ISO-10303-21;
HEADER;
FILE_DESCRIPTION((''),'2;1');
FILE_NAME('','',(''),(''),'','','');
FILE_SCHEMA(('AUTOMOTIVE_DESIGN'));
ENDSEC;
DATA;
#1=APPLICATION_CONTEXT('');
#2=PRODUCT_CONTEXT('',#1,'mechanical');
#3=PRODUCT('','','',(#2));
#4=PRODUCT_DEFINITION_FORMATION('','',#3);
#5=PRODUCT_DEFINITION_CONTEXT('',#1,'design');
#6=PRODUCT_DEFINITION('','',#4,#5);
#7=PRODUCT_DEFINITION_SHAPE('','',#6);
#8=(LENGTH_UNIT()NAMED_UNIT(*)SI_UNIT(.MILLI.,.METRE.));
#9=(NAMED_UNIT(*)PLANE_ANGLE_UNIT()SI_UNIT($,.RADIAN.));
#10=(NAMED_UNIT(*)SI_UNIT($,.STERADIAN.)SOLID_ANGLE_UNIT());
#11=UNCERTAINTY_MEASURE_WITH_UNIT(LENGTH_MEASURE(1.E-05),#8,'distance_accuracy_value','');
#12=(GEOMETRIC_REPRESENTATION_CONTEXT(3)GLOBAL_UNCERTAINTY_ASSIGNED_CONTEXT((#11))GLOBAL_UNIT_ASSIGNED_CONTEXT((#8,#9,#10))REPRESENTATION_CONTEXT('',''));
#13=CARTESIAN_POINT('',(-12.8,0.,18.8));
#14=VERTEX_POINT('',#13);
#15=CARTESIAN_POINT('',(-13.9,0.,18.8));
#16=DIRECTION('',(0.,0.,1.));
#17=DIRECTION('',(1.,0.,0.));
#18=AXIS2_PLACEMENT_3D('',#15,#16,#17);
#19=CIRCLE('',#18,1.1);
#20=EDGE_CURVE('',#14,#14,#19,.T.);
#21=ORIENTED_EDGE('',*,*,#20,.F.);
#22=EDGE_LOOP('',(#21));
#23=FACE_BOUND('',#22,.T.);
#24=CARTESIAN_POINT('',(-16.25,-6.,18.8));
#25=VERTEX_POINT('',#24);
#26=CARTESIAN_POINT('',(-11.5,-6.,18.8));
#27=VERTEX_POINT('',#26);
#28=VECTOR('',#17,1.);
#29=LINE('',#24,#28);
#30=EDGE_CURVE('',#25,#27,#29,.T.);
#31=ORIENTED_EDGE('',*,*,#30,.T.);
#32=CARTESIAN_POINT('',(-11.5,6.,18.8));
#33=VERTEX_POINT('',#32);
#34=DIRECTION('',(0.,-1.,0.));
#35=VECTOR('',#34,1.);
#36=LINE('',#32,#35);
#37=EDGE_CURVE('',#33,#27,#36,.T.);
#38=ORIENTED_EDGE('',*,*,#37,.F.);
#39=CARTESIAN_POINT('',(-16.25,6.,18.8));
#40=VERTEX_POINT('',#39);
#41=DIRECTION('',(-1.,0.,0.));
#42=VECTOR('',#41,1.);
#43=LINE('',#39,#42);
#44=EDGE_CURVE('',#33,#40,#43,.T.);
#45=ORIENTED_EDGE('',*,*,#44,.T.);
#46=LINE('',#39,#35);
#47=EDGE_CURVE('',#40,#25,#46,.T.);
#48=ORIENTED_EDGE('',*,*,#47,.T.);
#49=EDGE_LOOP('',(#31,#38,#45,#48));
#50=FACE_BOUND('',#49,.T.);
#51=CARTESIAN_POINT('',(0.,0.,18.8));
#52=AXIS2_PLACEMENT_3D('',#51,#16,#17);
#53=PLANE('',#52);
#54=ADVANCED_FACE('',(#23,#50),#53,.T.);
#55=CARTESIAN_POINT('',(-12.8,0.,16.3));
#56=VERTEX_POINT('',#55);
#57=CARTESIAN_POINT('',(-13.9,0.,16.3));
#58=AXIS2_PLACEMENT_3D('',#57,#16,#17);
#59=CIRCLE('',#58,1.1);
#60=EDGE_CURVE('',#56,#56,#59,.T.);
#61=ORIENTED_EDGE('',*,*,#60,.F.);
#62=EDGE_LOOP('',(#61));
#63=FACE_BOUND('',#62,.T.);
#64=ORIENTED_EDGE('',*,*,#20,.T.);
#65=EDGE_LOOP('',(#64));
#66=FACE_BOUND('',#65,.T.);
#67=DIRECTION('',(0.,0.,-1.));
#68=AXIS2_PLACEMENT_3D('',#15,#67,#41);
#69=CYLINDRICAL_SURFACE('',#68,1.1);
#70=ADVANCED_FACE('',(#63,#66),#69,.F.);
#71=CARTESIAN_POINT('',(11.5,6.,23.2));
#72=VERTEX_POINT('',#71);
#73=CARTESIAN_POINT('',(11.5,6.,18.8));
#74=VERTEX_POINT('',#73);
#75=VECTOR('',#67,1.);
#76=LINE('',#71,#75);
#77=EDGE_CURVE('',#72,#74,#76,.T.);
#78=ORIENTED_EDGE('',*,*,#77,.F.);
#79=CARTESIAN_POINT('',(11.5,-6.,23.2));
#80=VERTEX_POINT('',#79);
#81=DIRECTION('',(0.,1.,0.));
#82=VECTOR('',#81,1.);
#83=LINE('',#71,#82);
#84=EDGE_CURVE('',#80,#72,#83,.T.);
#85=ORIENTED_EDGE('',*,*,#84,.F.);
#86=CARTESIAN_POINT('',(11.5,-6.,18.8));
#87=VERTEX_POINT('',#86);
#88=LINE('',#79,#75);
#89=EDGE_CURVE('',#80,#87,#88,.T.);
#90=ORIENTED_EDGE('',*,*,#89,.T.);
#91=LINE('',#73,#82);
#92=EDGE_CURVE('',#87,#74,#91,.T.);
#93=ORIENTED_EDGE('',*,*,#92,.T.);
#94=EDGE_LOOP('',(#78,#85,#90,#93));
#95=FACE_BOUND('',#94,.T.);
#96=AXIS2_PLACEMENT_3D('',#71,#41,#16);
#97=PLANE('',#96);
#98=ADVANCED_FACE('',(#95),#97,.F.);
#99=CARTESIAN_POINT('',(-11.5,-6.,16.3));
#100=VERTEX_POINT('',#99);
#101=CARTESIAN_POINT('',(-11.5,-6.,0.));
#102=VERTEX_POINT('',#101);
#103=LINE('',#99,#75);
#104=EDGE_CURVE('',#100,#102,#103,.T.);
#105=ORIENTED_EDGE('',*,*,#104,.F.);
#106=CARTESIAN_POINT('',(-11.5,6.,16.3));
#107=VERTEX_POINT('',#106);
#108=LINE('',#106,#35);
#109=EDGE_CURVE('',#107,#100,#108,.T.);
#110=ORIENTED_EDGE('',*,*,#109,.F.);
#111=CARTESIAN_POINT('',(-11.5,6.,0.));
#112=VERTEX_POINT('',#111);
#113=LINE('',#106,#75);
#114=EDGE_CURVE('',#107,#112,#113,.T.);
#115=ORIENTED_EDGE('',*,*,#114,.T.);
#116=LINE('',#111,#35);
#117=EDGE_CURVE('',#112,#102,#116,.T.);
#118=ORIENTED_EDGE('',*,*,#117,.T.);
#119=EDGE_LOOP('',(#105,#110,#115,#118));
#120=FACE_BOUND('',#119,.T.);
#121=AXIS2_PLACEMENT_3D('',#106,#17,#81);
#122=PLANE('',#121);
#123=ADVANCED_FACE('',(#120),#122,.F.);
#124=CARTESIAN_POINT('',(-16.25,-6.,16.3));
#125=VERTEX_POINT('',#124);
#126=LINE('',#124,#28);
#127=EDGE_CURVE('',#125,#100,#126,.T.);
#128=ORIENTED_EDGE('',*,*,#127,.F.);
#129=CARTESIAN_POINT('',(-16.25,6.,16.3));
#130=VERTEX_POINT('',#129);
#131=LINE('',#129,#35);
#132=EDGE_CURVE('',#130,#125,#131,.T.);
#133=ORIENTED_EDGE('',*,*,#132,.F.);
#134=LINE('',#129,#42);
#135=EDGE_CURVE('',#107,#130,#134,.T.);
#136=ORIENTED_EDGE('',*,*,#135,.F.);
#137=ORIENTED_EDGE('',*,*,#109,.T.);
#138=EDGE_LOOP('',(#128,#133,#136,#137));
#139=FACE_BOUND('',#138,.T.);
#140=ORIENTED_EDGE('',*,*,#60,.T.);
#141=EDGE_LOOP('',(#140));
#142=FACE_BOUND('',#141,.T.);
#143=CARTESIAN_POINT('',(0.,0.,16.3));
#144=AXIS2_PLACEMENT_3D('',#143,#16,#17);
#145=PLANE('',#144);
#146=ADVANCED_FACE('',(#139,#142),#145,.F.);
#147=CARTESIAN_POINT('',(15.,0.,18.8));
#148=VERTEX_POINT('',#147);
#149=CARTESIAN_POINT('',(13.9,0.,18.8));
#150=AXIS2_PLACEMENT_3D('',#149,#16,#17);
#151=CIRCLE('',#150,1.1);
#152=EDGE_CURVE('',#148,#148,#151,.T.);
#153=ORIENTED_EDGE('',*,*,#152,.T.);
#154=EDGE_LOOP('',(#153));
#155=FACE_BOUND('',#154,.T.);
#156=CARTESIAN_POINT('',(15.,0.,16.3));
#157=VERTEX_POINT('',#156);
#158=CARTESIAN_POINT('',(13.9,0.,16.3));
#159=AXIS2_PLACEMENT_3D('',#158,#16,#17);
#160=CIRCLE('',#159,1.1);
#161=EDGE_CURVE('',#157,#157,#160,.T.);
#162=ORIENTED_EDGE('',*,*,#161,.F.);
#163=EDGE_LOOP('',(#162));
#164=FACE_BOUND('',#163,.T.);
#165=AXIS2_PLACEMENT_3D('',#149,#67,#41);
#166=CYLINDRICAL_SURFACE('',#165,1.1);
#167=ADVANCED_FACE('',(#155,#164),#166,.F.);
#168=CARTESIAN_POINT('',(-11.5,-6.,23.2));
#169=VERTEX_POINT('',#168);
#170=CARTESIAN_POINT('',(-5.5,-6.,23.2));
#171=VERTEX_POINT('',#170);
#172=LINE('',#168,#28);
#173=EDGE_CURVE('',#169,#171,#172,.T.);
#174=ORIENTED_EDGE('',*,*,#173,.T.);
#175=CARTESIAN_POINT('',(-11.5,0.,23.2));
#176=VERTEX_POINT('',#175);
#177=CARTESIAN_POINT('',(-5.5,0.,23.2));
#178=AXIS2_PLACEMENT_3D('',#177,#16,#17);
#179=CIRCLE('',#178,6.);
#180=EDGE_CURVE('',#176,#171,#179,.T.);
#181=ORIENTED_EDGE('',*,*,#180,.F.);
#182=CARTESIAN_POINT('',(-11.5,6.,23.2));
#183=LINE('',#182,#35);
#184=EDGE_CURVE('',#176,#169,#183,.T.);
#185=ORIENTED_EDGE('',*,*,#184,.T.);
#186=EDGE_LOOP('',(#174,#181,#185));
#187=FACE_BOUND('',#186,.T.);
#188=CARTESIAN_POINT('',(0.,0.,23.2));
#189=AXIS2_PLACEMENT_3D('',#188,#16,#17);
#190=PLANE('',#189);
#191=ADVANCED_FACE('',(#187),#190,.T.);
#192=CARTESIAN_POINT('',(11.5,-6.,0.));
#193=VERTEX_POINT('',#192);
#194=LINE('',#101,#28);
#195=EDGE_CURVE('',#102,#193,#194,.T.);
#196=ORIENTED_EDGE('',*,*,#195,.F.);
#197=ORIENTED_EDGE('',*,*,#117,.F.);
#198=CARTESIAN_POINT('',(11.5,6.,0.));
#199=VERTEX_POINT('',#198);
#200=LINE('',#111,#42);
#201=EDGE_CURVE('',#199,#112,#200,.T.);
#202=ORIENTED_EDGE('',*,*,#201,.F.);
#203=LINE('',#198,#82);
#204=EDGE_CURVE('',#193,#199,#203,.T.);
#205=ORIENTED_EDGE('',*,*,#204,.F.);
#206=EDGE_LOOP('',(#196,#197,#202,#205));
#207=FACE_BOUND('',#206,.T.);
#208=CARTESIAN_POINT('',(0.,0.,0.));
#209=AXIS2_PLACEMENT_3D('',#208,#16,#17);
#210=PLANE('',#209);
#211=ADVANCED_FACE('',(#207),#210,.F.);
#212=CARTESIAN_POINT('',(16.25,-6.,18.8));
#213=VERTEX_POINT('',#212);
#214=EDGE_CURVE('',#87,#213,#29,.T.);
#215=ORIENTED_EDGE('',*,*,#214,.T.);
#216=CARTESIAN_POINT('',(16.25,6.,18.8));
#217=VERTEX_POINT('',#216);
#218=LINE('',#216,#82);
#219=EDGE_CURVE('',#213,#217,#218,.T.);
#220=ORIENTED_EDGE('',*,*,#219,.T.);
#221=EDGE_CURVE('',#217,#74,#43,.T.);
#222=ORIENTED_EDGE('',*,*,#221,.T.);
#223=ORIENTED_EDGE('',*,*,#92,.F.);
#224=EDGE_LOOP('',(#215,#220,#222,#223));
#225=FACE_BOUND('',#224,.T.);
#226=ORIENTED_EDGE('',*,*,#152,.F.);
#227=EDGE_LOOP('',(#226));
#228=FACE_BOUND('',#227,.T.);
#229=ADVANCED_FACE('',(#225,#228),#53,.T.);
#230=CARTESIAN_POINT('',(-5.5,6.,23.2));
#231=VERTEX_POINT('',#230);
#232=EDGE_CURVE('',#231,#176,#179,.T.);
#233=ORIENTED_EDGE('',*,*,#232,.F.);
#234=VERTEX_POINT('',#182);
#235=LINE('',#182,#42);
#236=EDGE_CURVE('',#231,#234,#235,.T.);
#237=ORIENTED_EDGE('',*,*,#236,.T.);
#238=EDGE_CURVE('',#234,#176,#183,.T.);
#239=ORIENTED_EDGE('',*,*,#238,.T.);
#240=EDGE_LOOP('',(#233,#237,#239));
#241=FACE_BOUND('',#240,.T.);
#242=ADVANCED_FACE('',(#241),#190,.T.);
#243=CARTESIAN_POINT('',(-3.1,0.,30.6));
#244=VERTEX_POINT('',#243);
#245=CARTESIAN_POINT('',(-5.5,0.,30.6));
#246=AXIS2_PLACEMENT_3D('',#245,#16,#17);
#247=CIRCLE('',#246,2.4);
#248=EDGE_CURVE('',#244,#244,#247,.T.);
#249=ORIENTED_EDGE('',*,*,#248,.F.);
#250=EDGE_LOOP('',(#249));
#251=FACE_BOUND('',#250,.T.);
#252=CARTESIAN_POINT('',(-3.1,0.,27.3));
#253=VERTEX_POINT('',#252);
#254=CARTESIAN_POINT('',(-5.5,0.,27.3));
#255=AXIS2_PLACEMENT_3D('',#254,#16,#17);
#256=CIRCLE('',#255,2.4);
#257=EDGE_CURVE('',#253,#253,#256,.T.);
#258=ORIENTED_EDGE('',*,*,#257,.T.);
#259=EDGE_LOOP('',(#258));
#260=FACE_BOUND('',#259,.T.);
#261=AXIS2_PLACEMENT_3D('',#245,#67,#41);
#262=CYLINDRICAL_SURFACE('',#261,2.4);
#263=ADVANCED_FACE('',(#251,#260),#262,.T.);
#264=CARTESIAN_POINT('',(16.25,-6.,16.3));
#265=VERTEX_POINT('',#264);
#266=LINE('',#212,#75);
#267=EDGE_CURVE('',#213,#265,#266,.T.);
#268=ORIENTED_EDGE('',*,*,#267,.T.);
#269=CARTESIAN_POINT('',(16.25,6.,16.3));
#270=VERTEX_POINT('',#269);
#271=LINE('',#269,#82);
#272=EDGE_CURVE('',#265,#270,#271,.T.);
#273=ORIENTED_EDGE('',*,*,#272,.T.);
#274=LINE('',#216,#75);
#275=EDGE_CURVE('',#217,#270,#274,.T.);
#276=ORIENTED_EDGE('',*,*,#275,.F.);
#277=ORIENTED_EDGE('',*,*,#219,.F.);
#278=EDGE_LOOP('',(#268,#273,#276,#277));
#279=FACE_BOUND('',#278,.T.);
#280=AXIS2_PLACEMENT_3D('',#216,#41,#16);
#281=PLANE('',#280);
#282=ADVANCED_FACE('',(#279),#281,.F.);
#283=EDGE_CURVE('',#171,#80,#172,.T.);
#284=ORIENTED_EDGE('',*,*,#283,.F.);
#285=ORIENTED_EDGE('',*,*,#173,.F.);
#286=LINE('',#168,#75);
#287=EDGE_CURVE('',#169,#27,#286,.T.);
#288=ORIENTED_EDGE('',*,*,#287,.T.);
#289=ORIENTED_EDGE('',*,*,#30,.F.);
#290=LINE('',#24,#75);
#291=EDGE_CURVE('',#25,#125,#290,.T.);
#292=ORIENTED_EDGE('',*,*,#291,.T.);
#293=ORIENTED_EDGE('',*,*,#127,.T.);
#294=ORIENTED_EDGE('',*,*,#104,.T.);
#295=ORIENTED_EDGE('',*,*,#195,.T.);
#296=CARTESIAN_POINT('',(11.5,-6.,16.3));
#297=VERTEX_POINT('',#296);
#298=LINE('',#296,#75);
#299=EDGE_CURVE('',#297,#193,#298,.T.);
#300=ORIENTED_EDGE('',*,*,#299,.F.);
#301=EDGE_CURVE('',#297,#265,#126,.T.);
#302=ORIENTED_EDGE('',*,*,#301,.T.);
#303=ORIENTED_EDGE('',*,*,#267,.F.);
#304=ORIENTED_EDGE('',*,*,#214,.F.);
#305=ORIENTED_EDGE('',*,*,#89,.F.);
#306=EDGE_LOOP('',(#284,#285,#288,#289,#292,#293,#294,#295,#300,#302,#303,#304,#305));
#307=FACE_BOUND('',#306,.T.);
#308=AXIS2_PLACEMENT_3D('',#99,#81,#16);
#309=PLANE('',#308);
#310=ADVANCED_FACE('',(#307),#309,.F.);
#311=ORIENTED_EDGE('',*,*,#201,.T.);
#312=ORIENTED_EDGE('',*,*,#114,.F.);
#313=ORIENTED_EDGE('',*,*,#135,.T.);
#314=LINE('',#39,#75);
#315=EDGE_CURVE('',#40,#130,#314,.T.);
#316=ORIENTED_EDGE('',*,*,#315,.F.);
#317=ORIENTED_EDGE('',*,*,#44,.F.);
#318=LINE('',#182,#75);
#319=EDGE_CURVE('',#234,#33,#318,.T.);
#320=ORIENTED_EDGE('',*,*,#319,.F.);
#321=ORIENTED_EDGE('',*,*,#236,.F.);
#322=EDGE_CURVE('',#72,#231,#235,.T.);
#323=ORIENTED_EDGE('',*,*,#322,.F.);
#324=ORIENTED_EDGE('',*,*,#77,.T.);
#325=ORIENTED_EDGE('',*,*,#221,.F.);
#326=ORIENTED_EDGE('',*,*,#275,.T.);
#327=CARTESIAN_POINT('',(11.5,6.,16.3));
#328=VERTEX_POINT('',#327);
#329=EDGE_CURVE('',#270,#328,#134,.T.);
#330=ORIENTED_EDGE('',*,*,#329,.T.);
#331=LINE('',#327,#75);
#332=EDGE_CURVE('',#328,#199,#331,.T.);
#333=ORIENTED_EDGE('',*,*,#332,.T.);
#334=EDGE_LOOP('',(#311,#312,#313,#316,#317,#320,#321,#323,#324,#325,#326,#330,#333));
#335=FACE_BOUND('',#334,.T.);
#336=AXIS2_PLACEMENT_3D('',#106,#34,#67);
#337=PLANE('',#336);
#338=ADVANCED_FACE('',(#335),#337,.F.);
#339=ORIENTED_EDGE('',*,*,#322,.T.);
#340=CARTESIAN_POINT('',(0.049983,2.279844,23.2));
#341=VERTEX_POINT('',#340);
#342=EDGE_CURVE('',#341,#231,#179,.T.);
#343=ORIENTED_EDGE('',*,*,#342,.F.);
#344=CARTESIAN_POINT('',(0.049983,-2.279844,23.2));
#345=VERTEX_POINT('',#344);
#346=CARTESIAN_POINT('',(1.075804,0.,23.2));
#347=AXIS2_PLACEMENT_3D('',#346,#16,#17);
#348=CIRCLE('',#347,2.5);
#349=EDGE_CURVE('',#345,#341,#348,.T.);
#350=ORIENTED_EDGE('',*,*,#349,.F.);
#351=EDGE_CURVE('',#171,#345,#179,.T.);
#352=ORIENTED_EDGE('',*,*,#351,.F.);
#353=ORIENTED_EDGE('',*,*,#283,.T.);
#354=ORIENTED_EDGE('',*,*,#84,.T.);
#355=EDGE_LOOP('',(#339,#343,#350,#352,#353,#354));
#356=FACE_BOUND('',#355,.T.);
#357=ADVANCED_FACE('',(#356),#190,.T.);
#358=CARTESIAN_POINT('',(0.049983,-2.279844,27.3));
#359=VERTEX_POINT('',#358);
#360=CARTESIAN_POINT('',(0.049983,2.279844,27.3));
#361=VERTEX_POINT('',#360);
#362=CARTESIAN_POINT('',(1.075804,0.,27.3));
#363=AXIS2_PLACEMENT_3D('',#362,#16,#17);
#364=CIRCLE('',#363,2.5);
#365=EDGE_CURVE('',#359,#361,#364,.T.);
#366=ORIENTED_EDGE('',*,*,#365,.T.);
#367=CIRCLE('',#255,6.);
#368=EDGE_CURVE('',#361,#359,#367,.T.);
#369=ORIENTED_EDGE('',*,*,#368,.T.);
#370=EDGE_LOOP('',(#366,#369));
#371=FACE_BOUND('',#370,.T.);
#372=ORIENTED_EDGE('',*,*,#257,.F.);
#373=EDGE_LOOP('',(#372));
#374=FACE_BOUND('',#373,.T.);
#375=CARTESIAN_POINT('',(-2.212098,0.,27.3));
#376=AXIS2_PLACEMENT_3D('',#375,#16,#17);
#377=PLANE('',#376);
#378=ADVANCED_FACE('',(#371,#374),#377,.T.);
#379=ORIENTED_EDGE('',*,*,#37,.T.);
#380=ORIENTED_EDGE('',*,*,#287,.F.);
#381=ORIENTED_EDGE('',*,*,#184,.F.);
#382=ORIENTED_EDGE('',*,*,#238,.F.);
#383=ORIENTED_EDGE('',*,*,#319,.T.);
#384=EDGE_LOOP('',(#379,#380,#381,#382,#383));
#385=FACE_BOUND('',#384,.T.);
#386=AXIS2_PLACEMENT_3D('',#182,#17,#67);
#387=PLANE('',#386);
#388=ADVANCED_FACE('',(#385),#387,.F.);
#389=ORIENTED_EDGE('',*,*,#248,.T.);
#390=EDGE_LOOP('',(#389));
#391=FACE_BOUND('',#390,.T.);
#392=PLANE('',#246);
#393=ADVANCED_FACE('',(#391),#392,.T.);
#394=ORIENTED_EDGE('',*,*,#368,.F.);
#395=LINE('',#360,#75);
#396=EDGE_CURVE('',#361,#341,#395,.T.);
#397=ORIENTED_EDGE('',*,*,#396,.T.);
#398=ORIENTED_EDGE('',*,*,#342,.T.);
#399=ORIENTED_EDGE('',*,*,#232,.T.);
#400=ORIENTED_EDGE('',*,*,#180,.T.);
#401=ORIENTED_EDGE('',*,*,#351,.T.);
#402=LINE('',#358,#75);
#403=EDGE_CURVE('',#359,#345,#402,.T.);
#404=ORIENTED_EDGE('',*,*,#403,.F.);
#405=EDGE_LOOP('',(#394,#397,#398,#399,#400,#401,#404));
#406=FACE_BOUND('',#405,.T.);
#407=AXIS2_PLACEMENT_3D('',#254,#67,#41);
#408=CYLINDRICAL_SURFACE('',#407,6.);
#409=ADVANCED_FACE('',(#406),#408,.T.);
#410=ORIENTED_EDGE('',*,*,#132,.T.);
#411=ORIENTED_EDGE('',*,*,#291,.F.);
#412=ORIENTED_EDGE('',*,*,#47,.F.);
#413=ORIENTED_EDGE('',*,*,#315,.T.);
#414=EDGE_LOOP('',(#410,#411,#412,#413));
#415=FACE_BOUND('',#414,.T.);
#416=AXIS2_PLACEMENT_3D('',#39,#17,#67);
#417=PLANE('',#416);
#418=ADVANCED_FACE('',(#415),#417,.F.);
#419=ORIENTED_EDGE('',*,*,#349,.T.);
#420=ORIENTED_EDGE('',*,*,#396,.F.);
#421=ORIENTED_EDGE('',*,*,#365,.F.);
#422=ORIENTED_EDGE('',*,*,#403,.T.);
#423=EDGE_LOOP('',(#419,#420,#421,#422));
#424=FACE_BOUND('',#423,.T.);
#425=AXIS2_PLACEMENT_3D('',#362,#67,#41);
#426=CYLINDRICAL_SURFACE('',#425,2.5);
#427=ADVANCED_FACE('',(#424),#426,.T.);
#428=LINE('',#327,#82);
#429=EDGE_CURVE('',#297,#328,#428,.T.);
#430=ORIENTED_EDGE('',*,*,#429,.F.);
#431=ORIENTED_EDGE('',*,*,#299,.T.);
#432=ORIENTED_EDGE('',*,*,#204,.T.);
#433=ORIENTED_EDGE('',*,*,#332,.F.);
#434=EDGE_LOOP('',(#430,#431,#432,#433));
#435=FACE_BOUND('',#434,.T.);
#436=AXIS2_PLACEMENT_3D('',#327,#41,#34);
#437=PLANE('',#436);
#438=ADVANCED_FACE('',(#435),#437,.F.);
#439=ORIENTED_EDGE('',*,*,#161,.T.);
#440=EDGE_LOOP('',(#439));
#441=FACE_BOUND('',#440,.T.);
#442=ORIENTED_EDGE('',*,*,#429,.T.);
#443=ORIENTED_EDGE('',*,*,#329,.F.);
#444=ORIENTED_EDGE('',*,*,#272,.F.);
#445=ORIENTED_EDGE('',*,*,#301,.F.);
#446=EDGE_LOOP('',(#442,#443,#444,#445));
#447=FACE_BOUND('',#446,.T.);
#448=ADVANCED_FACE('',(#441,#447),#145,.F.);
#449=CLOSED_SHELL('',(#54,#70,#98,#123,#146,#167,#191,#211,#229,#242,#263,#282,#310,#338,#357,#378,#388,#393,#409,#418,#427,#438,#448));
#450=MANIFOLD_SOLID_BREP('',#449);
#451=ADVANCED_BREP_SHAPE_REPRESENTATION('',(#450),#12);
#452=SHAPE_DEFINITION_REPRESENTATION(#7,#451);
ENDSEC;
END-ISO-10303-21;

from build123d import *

# Parameters (mm, degrees)
SKETCH_1_W      = 23
SKETCH_1_H      = 12
EXTRUDE_1_DEPTH = 16.3
SKETCH_2_W      = 32.5
SKETCH_2_H      = 12
SKETCH_2_R      = 1.1
EXTRUDE_2_DEPTH = 2.5
SKETCH_3_W      = 23
SKETCH_3_H      = 12
EXTRUDE_3_DEPTH = 4.4
EXTRUDE_4_DEPTH = 4.1
SKETCH_5_R      = 2.4
EXTRUDE_5_DEPTH = 3.3


with BuildPart() as part:
    # 草图1 → 凸台-拉伸1 (new body)
    with BuildSketch(Plane.XY):
        Rectangle(SKETCH_1_W, SKETCH_1_H)
    extrude(amount=EXTRUDE_1_DEPTH)

    # 草图2 → 凸台-拉伸2 (add)
    with BuildSketch(Plane.XY.offset(16.3)):
        Rectangle(SKETCH_2_W, SKETCH_2_H)
        with Locations((-13.9, 0)):
            Circle(SKETCH_2_R, mode=Mode.SUBTRACT)
        with Locations((13.9, 0)):
            Circle(SKETCH_2_R, mode=Mode.SUBTRACT)
    extrude(amount=EXTRUDE_2_DEPTH)

    # 草图3 → 凸台-拉伸3 (add)
    with BuildSketch(Plane.XY.offset(18.8)):
        Rectangle(SKETCH_3_W, SKETCH_3_H)
    extrude(amount=EXTRUDE_3_DEPTH)

    # 草图4 → 凸台-拉伸4 (add)
    with BuildSketch(Plane.XY.offset(23.2)):
        with BuildLine():
            ThreePointArc((0.049982862, 2.279844344), (-11.5, 0), (0.049982862, -2.279844344))
            ThreePointArc((0.049982862, -2.279844344), (3.575804369, 0), (0.049982862, 2.279844344))
        make_face()
    extrude(amount=EXTRUDE_4_DEPTH)

    # 草图5 → 凸台-拉伸5 (add)
    with BuildSketch(Plane.XY.offset(27.3)):
        with Locations((-5.5, 0)):
            Circle(SKETCH_5_R)
    extrude(amount=EXTRUDE_5_DEPTH)


solid = part.part
